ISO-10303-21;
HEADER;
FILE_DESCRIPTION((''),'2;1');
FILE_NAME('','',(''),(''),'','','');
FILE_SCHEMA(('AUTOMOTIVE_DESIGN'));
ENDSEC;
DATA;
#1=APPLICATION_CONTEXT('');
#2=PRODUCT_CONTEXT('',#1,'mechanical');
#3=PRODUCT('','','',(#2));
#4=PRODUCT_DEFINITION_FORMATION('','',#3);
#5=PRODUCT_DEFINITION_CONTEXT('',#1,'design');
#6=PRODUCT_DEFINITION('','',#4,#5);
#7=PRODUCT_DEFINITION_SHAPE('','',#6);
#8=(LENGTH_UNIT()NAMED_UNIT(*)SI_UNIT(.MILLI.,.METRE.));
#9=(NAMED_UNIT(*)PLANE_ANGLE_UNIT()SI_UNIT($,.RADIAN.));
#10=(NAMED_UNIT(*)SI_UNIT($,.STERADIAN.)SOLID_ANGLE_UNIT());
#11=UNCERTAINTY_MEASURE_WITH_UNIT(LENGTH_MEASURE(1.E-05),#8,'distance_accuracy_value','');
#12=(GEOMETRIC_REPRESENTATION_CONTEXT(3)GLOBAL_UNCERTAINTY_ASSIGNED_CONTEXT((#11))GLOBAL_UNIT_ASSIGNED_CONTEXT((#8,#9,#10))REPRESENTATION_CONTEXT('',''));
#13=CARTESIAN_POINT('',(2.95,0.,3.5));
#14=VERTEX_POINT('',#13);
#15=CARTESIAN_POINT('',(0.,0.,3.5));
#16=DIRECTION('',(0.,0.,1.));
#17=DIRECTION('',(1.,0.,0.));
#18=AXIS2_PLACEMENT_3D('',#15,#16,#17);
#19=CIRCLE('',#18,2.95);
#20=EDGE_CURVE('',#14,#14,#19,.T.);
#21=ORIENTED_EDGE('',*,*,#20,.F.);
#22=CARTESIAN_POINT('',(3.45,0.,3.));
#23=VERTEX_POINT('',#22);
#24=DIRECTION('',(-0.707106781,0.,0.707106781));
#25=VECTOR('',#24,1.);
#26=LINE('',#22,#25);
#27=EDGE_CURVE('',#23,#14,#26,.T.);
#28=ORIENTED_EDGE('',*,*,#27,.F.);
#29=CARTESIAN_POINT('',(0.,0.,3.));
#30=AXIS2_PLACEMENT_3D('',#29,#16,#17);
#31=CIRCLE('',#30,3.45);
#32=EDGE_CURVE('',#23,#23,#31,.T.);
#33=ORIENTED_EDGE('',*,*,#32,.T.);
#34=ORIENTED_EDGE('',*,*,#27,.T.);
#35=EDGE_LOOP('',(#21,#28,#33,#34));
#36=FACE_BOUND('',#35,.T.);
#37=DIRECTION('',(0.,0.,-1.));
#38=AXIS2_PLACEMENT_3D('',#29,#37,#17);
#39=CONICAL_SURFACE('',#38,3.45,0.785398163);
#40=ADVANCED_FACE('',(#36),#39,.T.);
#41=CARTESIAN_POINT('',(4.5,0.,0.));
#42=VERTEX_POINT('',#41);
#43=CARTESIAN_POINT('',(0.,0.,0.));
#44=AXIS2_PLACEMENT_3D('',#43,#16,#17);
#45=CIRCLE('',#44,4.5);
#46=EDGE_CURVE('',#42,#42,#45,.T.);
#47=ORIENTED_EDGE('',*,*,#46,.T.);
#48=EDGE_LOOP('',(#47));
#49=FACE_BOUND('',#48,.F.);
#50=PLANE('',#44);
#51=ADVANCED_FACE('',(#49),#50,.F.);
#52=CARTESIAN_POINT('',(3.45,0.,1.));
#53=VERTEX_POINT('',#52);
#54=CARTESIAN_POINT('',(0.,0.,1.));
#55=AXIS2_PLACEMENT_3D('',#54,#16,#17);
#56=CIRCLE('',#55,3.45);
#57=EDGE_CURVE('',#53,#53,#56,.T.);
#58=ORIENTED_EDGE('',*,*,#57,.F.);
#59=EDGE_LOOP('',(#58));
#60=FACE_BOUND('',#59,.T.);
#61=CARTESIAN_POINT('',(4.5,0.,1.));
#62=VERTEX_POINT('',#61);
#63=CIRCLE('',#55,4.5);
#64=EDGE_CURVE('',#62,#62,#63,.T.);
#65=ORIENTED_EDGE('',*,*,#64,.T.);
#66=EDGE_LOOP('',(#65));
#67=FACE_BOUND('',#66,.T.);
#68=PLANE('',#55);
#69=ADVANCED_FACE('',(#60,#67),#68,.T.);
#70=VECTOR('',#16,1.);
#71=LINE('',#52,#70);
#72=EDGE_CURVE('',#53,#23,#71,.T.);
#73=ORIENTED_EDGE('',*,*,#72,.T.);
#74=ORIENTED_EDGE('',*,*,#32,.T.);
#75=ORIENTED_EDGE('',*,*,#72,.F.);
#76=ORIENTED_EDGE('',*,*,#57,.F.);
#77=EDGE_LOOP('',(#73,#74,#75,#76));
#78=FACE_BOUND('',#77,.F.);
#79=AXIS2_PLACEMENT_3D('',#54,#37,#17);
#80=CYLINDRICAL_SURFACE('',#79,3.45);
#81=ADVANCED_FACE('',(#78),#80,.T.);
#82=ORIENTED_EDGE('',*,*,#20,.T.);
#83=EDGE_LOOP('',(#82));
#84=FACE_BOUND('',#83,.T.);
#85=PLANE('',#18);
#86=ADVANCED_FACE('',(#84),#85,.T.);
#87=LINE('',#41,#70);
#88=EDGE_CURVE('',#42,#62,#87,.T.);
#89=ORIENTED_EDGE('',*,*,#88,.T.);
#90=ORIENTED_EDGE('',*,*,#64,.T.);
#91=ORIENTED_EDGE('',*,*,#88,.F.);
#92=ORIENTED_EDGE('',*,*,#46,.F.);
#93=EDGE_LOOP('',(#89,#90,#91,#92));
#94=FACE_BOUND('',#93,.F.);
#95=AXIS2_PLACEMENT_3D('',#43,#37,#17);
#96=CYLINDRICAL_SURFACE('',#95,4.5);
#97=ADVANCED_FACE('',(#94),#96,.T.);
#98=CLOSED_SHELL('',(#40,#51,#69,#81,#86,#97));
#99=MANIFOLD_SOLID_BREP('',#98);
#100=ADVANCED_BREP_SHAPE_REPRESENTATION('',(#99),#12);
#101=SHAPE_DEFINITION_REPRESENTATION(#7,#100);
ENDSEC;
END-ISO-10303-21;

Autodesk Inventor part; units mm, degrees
ref_plane "YZ Plane" through (0, 0, 0) normal (1, 0, 0) x (0, 1, 0)
ref_plane "XZ Plane" through (0, 0, 0) normal (0, 1, 0) x (-1, 0, 0)
ref_plane "XY Plane" through (0, 0, 0) normal (0, 0, 1) x (1, 0, 0)
sketch "Skizze1" plane through (0, 0, 0) normal (0, 0, 1) x (1, 0, 0)
  circle A0 centre (0, 0) radius 4.5
  dimension "d0" = 9
extrude "Extrusion1" add sketch "Skizze1" along normal blind 1
sketch "Skizze2" plane through (0, 0, 1) normal (0, 0, 1) x (1, 0, 0)
  circle A0 centre (0, 0) radius 4.5 projected
  circle A1 centre (0, 0) radius 3.45
  dimension "d3" = 6.9
extrude "Extrusion2" add sketch "Skizze2" along normal blind 2.5 contours A1
chamfer "Fase2" distance 0.5 angle 45 1 edges at (-3.45, 0, 3.5)
properties part number "Servorückseitenlagerachse" material "Siliziumnitrid"
